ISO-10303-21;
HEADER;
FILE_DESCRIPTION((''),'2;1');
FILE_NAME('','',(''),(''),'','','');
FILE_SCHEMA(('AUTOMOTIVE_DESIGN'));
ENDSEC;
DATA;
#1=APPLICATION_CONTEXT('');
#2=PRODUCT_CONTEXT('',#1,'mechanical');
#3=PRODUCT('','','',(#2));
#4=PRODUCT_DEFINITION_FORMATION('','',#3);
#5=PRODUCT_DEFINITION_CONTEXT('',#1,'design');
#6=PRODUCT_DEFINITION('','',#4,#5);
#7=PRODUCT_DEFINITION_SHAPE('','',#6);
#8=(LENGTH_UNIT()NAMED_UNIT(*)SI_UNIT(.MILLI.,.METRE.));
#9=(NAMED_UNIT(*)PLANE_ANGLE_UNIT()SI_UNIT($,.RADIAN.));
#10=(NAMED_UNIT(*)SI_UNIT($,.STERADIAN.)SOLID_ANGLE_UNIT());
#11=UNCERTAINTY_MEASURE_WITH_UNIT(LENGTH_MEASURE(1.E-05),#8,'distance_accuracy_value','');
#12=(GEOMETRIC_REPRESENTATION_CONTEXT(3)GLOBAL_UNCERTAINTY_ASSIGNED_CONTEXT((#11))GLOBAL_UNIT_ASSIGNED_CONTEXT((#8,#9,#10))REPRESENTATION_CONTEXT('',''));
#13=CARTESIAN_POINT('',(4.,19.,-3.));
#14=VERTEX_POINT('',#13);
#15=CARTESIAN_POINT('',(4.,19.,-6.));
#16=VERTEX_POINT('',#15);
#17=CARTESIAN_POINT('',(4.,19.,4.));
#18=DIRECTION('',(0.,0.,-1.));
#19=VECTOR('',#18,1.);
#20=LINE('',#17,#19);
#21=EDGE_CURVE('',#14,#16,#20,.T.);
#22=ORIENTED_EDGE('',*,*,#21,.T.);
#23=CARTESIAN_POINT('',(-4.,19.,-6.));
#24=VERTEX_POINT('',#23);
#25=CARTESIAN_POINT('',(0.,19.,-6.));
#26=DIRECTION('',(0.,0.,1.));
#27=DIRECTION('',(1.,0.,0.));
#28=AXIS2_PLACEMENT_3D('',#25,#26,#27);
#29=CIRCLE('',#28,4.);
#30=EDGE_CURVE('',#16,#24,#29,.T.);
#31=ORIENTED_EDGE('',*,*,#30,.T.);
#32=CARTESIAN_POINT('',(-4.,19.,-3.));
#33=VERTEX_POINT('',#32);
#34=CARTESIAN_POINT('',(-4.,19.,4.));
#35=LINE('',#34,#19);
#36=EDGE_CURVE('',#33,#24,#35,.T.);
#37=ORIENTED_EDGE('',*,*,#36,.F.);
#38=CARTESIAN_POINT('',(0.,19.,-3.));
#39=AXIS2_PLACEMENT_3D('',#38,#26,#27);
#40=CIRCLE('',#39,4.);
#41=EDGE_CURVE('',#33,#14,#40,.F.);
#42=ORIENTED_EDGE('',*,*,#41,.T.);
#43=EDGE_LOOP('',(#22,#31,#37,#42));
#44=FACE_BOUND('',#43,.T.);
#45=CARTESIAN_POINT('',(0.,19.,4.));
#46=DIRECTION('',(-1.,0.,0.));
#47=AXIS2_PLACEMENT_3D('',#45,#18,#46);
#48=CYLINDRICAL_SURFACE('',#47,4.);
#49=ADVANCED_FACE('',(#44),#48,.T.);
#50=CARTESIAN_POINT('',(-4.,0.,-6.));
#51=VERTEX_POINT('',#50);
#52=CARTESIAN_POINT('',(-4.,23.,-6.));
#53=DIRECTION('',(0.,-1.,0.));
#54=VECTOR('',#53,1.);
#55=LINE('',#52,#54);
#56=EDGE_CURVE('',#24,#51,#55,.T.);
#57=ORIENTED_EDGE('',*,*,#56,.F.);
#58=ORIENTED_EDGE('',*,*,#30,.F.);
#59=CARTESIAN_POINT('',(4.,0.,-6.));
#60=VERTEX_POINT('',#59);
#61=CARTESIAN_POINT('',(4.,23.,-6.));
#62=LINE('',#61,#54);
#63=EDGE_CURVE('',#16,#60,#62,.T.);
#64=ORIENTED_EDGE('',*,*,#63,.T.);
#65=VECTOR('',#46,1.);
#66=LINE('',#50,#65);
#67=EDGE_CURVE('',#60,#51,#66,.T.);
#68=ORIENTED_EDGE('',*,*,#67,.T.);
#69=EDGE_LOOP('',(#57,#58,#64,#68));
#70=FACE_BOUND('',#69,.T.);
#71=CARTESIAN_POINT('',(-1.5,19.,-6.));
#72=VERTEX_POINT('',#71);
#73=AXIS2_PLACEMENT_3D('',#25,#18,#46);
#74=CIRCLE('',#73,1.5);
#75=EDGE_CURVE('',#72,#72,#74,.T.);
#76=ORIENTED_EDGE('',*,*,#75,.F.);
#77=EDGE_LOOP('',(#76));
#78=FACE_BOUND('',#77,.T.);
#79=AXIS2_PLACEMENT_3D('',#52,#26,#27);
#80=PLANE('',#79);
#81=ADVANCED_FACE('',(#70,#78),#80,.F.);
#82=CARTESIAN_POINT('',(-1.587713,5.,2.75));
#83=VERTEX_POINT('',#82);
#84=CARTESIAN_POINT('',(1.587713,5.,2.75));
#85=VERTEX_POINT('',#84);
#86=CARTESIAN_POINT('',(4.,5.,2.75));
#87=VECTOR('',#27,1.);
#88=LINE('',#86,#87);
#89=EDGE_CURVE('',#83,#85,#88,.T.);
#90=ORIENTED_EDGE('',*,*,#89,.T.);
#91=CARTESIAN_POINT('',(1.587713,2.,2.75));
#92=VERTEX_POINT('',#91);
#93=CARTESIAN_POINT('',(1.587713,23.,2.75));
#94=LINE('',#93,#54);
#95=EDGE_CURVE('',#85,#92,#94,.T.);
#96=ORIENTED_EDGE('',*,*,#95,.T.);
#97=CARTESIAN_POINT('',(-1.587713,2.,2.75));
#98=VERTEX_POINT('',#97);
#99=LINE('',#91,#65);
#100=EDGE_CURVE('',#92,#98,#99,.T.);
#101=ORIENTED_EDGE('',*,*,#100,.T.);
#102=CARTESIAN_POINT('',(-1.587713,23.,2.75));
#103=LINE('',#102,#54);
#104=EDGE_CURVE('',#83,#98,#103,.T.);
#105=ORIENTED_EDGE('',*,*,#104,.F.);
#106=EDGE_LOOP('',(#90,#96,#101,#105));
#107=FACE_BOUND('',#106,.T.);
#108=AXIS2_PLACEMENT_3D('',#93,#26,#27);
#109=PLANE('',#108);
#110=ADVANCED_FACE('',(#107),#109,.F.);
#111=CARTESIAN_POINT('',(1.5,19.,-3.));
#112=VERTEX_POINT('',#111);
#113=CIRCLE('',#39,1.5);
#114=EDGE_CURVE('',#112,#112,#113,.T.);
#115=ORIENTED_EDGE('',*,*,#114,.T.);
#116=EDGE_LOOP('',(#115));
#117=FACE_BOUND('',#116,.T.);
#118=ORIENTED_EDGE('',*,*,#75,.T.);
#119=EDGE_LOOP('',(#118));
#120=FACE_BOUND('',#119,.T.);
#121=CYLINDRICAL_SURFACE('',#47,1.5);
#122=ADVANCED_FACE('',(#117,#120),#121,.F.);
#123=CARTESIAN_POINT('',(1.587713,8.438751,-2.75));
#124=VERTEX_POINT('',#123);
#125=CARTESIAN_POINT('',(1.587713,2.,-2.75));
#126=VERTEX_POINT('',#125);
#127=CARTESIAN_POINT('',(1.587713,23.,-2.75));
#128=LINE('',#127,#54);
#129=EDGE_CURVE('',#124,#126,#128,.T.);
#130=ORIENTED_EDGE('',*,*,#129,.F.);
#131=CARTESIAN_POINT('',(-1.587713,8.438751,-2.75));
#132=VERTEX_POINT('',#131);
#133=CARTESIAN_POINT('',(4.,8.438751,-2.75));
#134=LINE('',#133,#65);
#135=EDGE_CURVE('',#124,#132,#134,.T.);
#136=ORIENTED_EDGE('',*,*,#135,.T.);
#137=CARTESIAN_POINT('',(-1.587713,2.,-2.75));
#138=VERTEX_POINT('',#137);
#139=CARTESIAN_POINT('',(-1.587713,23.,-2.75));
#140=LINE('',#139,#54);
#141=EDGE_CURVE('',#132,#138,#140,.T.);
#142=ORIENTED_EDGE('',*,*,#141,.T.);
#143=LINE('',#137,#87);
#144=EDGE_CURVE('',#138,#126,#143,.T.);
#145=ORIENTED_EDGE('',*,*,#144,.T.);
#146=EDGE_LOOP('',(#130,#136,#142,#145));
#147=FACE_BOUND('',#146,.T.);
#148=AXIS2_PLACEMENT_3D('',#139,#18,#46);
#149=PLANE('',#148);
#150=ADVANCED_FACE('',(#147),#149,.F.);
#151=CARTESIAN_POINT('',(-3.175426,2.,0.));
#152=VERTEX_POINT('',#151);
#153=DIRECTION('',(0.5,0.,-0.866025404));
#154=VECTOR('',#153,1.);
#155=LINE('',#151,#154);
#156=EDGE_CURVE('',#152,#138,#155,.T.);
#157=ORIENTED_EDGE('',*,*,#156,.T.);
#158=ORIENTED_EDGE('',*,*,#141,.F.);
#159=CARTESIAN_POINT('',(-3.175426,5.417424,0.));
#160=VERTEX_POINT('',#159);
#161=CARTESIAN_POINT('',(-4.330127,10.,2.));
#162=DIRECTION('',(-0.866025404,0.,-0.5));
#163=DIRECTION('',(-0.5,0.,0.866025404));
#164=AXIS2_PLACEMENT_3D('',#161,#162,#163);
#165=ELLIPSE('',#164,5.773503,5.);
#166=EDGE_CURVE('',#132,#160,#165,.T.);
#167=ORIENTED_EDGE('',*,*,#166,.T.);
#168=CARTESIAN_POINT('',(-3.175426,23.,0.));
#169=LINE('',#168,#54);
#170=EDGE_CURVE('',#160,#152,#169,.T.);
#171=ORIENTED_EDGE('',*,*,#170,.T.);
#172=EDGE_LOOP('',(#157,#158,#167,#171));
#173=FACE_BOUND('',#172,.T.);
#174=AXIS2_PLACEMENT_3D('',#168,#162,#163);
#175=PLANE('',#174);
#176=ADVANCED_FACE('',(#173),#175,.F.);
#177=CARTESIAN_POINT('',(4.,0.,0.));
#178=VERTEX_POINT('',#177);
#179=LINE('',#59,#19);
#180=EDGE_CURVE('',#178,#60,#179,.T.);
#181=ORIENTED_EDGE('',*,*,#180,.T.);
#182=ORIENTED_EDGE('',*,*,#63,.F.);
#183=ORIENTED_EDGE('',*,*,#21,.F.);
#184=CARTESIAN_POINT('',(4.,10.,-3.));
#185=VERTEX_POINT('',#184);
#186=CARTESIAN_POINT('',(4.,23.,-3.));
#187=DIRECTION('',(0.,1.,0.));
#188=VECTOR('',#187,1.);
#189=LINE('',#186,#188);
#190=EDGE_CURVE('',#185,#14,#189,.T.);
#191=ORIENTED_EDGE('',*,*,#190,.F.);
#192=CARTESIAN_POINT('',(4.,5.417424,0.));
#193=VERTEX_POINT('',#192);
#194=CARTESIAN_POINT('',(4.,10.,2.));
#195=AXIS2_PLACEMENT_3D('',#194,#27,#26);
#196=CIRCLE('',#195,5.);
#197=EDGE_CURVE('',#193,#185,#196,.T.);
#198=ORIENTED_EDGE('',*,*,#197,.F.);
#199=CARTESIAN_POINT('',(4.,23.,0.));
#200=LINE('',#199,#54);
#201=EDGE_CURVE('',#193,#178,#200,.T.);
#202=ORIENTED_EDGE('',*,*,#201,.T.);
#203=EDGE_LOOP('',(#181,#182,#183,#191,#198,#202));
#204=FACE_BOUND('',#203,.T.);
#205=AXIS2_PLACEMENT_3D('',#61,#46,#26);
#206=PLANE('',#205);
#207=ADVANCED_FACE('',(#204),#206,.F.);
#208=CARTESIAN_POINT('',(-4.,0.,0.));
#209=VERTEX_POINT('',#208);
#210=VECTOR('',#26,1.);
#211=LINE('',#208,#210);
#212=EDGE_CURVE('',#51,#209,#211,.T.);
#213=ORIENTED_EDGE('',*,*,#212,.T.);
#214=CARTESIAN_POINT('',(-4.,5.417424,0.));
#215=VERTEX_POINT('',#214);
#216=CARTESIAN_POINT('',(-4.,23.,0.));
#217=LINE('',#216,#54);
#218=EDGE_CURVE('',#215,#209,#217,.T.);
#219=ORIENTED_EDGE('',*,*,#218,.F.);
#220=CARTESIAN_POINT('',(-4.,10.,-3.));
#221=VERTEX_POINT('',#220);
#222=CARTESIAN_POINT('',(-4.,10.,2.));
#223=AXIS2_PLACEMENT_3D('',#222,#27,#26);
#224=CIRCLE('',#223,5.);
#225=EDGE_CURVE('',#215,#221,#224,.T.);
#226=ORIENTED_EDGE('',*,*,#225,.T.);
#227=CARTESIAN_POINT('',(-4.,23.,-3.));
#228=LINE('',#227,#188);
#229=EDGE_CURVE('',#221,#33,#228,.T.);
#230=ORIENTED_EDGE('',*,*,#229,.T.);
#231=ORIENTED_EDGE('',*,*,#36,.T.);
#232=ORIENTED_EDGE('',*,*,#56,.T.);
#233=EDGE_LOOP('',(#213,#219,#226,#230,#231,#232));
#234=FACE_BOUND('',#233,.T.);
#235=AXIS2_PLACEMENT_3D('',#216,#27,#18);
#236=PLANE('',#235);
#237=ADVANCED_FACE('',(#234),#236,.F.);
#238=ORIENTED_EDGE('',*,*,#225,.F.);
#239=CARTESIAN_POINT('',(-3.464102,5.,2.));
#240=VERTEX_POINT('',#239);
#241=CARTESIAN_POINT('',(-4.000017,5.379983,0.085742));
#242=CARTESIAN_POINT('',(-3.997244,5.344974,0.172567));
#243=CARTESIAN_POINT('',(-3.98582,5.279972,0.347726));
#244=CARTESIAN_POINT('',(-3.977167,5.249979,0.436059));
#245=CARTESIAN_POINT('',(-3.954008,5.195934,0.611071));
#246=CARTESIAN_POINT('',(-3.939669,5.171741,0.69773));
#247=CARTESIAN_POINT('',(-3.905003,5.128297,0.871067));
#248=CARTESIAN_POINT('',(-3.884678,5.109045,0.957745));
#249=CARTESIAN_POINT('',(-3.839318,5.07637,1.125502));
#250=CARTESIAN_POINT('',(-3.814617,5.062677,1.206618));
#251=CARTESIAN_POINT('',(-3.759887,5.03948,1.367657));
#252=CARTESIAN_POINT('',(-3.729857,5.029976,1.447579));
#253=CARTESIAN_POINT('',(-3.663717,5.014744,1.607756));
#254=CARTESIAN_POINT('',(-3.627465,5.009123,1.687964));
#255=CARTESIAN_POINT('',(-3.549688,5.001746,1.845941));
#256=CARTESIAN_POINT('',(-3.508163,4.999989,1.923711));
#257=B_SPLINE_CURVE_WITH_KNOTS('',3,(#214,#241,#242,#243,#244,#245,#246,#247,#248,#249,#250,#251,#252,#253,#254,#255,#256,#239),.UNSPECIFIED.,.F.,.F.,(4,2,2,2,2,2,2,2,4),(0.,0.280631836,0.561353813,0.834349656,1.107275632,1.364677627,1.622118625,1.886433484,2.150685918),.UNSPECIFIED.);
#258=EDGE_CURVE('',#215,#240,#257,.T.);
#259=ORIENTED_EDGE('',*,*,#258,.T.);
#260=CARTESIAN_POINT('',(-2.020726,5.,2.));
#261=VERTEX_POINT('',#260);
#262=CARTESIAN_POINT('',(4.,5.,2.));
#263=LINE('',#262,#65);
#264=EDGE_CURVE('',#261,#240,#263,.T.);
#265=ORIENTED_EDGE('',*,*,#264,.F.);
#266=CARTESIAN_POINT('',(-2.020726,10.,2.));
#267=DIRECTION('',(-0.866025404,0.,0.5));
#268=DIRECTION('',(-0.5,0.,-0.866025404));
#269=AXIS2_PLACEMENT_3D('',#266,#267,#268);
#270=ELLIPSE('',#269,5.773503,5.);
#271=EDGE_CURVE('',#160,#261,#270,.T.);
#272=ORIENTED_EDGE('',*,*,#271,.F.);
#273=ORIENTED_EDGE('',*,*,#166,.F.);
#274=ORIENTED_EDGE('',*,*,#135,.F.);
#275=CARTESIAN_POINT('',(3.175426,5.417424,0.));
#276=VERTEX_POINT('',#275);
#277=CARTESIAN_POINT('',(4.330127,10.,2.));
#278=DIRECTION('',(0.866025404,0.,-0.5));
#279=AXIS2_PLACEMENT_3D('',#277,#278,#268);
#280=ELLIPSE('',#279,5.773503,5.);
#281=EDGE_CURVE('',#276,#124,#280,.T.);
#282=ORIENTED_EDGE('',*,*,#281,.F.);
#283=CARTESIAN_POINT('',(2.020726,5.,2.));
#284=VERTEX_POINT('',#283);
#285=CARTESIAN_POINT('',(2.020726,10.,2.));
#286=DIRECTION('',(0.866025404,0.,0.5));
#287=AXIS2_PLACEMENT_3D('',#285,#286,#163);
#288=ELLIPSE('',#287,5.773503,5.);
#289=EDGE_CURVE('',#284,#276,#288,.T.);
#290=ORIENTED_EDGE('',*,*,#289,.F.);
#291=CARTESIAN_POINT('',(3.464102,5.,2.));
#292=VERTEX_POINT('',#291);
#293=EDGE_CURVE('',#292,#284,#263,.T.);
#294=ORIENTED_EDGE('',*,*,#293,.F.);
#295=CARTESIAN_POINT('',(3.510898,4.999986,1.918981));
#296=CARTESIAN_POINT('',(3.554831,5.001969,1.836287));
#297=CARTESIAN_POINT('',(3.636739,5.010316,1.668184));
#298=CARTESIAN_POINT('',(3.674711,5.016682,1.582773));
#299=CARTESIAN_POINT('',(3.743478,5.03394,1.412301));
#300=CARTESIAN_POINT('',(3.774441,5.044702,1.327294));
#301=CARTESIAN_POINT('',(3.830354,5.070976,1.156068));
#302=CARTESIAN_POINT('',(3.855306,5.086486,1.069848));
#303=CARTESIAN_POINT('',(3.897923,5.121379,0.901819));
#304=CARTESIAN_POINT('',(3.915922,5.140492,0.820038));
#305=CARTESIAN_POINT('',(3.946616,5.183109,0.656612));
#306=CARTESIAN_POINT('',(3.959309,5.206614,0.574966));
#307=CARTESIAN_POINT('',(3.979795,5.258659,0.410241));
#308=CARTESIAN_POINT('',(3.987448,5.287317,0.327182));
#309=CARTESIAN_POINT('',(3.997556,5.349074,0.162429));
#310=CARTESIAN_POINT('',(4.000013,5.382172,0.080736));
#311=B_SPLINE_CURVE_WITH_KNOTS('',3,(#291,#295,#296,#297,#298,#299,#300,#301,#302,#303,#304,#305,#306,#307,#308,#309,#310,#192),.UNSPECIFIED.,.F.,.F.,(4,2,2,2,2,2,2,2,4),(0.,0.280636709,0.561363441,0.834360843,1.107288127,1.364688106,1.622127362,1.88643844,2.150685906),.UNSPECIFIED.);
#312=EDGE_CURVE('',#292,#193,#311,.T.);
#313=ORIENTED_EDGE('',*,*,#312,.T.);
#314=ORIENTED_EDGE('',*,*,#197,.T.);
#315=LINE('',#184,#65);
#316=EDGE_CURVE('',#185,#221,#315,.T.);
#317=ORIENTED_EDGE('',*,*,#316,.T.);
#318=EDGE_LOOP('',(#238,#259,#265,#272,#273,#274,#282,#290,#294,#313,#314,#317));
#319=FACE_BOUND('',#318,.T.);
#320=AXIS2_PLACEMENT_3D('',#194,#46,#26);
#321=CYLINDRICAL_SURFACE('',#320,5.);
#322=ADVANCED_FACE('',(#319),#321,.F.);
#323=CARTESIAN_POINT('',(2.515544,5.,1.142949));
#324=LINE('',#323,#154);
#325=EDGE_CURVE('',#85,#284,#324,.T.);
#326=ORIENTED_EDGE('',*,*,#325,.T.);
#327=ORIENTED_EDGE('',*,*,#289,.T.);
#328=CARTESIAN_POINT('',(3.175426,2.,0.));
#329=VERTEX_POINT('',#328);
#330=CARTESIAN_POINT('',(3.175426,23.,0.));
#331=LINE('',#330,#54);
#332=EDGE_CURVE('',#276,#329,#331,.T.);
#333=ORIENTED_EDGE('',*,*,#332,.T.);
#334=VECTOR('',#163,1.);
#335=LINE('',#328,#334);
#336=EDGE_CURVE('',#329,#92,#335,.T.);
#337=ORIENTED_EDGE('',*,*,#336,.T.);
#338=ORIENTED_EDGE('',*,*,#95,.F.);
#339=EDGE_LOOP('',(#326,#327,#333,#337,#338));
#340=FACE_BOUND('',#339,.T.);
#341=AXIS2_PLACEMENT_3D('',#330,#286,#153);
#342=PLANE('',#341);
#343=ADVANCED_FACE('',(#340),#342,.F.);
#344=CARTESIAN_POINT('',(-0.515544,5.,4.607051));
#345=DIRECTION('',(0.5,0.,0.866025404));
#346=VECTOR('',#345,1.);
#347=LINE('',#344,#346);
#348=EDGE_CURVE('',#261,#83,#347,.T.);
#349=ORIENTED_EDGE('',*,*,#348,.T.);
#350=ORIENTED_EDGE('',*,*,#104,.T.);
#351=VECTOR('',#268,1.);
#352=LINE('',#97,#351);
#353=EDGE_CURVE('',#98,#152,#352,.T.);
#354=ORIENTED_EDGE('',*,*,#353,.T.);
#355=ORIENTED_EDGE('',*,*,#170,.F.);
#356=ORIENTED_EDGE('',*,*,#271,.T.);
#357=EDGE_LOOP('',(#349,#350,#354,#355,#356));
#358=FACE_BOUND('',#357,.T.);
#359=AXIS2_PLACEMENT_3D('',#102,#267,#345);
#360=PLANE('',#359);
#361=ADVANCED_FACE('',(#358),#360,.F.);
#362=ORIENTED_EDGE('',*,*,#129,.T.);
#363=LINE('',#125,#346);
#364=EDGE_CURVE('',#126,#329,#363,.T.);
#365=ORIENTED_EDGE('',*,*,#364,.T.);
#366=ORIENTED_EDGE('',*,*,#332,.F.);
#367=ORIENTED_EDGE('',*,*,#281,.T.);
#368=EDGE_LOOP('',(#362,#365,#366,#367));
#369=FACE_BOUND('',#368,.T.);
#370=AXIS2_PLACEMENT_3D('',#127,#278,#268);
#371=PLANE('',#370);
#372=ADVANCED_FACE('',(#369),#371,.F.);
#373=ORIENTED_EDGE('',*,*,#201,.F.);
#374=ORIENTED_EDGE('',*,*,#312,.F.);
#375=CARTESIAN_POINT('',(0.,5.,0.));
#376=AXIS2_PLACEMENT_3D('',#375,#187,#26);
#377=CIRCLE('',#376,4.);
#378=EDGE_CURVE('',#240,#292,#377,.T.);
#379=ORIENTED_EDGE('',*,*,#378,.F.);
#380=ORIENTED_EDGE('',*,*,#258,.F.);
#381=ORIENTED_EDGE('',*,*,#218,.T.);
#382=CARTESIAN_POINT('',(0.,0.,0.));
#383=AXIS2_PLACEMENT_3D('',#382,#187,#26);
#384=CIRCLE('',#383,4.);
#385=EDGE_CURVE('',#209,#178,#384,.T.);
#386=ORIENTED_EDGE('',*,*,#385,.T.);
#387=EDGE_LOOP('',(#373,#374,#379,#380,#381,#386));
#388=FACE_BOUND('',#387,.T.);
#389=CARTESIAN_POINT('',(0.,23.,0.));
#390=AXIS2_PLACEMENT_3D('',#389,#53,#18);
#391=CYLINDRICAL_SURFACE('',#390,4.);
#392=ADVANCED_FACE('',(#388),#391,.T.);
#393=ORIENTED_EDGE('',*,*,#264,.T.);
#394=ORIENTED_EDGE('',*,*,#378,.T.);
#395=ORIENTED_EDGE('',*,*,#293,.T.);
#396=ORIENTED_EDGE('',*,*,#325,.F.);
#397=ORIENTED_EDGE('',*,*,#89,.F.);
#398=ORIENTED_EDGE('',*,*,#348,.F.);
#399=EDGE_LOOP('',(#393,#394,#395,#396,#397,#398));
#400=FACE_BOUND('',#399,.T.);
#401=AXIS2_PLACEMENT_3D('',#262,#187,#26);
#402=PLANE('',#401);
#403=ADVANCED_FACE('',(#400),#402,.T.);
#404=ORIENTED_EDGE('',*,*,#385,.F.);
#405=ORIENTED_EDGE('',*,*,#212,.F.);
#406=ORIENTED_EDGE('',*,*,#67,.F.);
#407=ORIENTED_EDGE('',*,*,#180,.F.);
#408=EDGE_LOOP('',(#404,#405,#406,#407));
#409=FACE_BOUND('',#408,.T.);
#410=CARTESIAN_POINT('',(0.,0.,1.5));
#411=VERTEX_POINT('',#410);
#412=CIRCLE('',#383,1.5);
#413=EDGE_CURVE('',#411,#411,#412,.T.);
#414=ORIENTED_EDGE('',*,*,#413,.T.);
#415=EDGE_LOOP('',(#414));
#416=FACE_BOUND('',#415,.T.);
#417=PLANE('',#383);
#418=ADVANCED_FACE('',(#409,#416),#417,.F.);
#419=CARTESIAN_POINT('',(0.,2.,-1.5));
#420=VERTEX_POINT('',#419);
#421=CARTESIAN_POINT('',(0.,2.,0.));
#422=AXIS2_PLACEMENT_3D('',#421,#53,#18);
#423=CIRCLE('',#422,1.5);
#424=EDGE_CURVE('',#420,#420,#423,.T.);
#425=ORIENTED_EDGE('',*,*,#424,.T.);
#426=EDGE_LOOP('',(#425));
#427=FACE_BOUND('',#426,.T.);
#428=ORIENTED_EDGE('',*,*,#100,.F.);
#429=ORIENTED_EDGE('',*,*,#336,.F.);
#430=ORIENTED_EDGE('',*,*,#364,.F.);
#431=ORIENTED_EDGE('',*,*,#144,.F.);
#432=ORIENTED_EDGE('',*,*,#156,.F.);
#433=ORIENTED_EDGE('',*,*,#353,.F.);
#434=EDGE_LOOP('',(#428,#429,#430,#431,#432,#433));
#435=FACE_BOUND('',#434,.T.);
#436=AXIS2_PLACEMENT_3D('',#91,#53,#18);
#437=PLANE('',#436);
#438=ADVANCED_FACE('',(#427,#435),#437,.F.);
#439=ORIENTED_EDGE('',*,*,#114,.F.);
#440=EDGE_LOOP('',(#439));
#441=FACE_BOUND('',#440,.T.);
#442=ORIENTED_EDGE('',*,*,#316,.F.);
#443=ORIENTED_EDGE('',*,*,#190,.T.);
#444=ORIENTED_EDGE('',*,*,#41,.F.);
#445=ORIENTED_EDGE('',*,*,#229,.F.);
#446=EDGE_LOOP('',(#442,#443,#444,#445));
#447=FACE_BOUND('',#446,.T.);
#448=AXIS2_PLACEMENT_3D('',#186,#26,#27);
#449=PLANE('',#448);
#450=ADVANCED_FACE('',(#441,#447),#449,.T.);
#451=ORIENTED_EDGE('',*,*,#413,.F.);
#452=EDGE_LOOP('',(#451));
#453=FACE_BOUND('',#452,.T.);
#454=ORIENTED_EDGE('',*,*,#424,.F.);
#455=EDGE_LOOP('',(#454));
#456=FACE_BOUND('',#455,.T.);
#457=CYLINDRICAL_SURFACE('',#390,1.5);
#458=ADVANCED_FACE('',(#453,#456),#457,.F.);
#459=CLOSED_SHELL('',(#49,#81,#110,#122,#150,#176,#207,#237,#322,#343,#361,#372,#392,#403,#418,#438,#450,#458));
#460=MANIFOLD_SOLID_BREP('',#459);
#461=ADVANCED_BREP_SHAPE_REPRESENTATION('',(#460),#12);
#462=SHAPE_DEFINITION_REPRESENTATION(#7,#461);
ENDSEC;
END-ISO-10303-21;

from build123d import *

# Parameters (mm, degrees)
SKICA1_R                 = 1.5
P_IDAT_VYSUNUT_M1_DEPTH  = 23
SKICA2_OUTSIDE_W         = 17.264
SKICA2_OUTSIDE_H         = 30.264
ODEBRAT_VYSUNUT_M2_DEPTH = 26.079872408
SKICA3_R                 = 1.5
ODEBRAT_VYSUNUT_M3_DEPTH = 26.396850254
ODEBRAT_VYSUNUT_M4_DEPTH = 23.203603329


with BuildPart() as part:
    # Skica1 → Přidat vysunutím1 (new body)
    with BuildSketch(Plane(origin=(0, 0, 0), x_dir=(1, 0, 0), z_dir=(0, 1, 0))):
        with BuildLine():
            Line((-4, 0), (-4, 6))
            Line((-4, 6), (4, 6))
            Line((4, 6), (4, 0))
            ThreePointArc((4, 0), (0, -4), (-4, 0))
        make_face()
        with Locations(Location((0, 0, 0), (0, 0, 270))):
            Circle(SKICA1_R, mode=Mode.SUBTRACT)
    extrude(amount=P_IDAT_VYSUNUT_M1_DEPTH)

    # Skica2 outside → Odebrat vysunutím2 (cut, through all)
    with BuildSketch(Plane.ZY.offset(4)):
        with Locations((-1, 11.5)):
            Rectangle(SKICA2_OUTSIDE_W, SKICA2_OUTSIDE_H)
        with BuildLine():
            Line((-3, 23), (-3, 10))
            ThreePointArc((-3, 10), (-1.535533906, 6.464466094), (2, 5))
            Line((2, 5), (4, 5))
            Line((4, 5), (4, 0))
            Line((4, 0), (-6, 0))
            Line((-6, 0), (-6, 23))
            Line((-6, 23), (-3, 23))
        make_face(mode=Mode.SUBTRACT)
    extrude(amount=-ODEBRAT_VYSUNUT_M2_DEPTH, mode=Mode.SUBTRACT)

    # Skica3 → Odebrat vysunutím3 (cut, through all)
    with BuildSketch(Plane(origin=(0, 0, -6), x_dir=(-1, 0, 0), z_dir=(0, 0, -1))):
        with Locations((0, 19)):
            Circle(SKICA3_R)
        with BuildLine():
            Line((-4, 19), (-7.602186301, 24.874773566))
            Line((-7.602186301, 24.874773566), (9.845338693, 23.958039202))
            Line((9.845338693, 23.958039202), (4, 19))
            ThreePointArc((4, 19), (0, 23), (-4, 19))
        make_face()
    extrude(amount=-ODEBRAT_VYSUNUT_M3_DEPTH, mode=Mode.SUBTRACT)

    # Skica6 → Odebrat vysunutím4 (cut, through all)
    with BuildSketch(Plane.XZ.offset(-2)):
        Polygon((1.58771324, 2.75), (-1.58771324, 2.75), (-3.175426481, 0), (-1.58771324, -2.75), (1.58771324, -2.75), (3.175426481, 0), align=None)
    extrude(amount=-ODEBRAT_VYSUNUT_M4_DEPTH, mode=Mode.SUBTRACT)


solid = part.part
